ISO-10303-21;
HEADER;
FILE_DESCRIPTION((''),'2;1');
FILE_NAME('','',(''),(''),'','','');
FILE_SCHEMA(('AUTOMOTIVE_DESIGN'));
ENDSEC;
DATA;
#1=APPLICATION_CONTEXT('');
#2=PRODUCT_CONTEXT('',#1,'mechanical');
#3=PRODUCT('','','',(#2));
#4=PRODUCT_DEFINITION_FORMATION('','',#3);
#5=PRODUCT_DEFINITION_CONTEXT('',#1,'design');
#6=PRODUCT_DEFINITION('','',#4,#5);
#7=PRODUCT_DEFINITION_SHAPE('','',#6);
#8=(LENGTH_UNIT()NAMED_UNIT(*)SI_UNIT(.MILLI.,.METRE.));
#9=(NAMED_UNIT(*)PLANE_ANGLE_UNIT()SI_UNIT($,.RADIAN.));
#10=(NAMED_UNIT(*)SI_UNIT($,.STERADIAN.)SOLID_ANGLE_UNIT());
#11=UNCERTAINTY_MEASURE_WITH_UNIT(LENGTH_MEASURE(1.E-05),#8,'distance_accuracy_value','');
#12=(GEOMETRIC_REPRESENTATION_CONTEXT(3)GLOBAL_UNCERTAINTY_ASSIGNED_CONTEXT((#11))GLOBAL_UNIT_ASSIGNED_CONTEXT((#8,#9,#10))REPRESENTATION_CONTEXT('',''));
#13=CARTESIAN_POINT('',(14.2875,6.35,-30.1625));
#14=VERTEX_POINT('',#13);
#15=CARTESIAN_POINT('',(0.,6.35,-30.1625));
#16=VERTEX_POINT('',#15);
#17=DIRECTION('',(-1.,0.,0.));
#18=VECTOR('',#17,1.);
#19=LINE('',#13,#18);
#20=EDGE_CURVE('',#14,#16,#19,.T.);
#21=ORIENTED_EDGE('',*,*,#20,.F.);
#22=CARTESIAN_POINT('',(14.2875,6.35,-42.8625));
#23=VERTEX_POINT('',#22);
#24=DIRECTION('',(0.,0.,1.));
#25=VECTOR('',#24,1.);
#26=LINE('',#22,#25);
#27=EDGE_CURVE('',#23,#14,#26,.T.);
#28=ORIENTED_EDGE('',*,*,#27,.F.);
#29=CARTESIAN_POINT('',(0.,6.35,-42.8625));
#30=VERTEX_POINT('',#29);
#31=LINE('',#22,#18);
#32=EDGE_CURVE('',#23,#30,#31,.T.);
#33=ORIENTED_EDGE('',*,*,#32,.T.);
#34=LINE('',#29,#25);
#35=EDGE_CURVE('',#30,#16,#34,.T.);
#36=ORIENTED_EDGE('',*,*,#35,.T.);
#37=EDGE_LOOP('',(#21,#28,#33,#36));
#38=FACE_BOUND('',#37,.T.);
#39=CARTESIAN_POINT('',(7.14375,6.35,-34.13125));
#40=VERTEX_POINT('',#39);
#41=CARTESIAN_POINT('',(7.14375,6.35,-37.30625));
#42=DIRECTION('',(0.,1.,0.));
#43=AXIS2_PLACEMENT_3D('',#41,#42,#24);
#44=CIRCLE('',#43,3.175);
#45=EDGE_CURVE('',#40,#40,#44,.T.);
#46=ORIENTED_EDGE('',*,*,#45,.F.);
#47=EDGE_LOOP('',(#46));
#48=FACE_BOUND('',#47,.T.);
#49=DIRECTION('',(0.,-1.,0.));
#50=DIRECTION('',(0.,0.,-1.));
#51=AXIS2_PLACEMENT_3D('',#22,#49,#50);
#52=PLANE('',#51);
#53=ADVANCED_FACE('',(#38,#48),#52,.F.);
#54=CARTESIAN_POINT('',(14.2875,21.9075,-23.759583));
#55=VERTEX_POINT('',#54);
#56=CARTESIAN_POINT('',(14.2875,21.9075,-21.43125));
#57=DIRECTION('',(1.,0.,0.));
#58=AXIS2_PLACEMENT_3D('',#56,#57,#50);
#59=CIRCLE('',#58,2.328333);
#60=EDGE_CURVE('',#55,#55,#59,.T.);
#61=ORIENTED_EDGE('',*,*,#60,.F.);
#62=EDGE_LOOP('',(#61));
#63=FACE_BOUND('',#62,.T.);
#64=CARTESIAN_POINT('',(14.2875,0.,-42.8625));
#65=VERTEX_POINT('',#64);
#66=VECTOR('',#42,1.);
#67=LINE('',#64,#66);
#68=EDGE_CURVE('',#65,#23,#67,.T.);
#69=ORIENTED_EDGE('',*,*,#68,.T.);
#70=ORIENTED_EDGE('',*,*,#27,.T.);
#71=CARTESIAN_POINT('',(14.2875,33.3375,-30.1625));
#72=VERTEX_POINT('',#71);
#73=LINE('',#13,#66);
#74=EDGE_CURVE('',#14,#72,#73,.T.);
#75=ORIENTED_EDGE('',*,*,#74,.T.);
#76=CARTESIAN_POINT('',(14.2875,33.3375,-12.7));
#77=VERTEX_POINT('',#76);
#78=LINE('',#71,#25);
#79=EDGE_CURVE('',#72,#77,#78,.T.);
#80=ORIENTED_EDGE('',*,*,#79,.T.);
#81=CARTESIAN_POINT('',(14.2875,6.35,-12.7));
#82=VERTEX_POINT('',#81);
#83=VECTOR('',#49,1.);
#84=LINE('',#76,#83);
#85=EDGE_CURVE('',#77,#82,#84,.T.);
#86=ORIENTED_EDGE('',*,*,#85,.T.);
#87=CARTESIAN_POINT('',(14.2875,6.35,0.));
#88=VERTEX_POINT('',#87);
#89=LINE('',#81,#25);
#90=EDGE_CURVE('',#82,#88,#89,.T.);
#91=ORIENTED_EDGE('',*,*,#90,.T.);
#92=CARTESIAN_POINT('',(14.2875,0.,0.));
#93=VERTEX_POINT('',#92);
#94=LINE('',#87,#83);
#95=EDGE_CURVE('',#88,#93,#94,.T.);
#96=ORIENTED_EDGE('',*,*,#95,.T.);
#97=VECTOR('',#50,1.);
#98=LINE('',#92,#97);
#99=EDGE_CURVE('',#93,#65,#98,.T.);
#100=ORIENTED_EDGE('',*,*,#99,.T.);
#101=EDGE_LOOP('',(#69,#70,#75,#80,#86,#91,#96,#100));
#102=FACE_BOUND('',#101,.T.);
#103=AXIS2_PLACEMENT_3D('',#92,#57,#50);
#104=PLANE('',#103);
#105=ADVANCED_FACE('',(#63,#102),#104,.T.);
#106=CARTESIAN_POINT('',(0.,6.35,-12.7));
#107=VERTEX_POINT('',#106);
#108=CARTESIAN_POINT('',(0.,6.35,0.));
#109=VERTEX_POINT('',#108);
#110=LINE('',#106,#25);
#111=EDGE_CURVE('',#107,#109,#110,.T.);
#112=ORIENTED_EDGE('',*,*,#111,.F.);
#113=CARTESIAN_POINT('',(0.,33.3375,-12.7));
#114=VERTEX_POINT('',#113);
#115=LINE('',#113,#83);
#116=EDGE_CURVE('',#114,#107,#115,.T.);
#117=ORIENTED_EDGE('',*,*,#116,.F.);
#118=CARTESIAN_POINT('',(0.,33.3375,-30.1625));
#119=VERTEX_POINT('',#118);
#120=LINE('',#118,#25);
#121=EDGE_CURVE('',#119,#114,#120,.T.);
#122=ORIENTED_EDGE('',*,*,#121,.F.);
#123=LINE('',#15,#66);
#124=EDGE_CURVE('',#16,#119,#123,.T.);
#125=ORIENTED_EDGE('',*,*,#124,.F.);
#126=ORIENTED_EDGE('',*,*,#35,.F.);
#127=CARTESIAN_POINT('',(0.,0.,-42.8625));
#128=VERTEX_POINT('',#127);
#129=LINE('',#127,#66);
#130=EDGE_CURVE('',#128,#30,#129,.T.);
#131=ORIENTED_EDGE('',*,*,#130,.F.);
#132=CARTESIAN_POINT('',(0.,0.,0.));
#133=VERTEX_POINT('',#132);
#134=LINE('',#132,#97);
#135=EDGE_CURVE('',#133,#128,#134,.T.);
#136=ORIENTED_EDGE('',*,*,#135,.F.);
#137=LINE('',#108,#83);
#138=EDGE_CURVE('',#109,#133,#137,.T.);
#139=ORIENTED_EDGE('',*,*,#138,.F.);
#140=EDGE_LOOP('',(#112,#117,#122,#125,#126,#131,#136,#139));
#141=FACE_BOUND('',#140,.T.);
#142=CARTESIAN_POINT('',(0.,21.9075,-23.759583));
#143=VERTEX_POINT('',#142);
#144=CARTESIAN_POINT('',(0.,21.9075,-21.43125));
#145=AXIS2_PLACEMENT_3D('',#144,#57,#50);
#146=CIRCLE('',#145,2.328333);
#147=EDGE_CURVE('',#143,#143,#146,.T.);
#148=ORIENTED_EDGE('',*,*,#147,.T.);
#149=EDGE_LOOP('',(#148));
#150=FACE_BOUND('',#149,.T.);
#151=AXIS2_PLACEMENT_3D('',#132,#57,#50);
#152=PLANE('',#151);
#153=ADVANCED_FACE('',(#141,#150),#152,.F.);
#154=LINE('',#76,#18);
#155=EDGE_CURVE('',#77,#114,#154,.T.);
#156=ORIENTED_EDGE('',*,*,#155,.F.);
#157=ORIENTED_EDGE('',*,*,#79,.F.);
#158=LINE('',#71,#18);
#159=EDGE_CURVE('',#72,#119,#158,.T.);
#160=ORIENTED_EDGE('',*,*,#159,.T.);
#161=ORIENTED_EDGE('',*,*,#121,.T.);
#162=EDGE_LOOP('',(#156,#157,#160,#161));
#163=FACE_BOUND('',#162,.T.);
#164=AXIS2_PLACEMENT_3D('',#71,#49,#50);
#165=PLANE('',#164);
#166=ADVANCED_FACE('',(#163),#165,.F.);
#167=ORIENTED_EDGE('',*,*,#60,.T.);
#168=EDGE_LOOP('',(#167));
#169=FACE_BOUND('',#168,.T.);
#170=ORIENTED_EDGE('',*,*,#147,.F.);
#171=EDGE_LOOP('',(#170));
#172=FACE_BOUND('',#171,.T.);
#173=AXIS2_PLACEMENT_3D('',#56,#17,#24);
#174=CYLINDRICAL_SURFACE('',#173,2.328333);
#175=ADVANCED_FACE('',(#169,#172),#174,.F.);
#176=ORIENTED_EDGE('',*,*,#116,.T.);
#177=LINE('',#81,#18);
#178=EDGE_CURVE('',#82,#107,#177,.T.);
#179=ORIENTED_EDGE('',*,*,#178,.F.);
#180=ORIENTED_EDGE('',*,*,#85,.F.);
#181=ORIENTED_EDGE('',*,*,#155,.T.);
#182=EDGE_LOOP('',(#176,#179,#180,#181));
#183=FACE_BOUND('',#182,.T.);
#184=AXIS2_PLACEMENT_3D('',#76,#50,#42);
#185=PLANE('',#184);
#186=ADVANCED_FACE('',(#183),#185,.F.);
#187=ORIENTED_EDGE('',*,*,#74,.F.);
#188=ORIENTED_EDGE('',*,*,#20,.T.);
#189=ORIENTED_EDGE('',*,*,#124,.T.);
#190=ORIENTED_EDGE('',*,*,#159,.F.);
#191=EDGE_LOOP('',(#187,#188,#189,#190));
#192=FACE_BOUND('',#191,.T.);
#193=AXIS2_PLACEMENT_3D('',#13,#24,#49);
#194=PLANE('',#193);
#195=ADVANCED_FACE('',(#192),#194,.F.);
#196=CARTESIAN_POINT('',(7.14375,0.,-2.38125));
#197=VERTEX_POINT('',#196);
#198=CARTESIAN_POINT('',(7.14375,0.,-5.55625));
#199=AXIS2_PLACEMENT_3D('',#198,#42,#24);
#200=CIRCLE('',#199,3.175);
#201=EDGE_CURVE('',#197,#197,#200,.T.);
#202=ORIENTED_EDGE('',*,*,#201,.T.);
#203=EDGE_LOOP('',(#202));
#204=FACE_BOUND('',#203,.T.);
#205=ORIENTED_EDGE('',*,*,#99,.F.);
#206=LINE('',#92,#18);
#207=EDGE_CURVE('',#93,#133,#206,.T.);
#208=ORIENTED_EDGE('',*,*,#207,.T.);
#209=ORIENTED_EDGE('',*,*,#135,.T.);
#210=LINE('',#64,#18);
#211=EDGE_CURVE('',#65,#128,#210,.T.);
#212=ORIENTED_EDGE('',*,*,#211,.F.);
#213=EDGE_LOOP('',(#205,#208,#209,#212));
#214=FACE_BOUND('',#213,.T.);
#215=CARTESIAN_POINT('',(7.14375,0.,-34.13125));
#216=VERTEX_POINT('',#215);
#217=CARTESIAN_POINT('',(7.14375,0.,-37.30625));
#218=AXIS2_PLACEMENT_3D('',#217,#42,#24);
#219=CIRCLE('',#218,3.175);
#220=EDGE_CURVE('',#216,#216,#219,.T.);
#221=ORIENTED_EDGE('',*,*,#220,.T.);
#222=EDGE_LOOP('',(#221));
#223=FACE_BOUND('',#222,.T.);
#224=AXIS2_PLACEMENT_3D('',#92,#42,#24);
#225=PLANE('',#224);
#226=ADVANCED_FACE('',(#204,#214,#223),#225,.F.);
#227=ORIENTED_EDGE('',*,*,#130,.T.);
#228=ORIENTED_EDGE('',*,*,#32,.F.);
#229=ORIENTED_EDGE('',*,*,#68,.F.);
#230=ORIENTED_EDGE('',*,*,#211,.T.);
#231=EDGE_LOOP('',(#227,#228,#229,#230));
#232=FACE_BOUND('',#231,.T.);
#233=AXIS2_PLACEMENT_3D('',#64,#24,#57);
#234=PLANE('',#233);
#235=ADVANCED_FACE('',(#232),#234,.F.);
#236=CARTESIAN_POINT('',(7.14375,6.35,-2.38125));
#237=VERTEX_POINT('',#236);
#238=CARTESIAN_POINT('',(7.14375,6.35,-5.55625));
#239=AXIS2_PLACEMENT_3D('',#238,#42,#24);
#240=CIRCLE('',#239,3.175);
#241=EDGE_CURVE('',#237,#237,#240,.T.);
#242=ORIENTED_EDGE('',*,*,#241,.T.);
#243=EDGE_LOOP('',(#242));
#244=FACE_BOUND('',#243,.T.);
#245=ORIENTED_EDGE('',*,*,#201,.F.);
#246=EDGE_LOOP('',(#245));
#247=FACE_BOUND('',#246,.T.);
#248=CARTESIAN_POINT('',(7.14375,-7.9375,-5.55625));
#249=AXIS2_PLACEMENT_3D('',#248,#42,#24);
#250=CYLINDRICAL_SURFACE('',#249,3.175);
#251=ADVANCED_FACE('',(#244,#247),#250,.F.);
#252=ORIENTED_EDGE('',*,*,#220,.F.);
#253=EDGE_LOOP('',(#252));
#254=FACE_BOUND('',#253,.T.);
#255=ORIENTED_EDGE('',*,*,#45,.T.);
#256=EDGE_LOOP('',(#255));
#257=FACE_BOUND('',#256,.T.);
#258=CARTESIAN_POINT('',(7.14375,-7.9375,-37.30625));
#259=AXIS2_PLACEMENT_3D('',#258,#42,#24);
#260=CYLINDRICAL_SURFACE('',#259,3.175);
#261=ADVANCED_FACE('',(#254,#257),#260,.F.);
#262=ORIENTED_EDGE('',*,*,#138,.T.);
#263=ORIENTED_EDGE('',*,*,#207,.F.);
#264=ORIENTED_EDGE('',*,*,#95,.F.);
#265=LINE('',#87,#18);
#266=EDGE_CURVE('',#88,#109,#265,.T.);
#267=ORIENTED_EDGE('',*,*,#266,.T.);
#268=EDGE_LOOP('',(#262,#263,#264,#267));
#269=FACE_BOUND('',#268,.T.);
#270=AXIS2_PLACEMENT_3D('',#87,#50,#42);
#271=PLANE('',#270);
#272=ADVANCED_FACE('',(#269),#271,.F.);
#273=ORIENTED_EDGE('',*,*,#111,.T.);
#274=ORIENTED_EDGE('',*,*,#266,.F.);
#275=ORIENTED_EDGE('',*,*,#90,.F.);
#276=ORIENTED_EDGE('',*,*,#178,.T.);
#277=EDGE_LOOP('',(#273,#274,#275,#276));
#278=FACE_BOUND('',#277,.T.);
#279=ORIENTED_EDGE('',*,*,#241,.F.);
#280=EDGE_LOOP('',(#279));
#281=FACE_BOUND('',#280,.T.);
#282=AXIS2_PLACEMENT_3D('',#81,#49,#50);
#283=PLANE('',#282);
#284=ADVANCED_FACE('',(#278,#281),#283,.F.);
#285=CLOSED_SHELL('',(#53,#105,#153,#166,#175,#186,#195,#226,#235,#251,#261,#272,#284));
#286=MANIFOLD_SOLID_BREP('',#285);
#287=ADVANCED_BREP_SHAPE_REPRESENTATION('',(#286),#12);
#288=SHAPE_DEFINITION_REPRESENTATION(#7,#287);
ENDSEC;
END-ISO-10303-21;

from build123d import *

# Parameters (mm, degrees)
SKETCH1_R           = 2.328333333
BOSS_EXTRUDE1_DEPTH = 14.2875
SKETCH2_R           = 3.175
CUT_EXTRUDE1_DEPTH  = 14.2875


with BuildPart() as part:
    # Sketch1 → Boss-Extrude1 (new body)
    with BuildSketch(Plane(origin=(0, 0, 0), x_dir=(0, 0, -1), z_dir=(1, 0, 0))):
        Polygon((0, 0), (42.8625, 0), (42.8625, 6.35), (30.1625, 6.35), (30.1625, 33.3375), (12.7, 33.3375), (12.7, 6.35), (0, 6.35), align=None)
        with Locations((21.43125, 21.9075)):
            Circle(SKETCH1_R, mode=Mode.SUBTRACT)
    extrude(amount=BOSS_EXTRUDE1_DEPTH)

    # Sketch2 → Cut-Extrude1 (cut)
    with BuildSketch(Plane(origin=(0, 6.35, 0), x_dir=(1, 0, 0), z_dir=(0, 1, 0))):
        with Locations(Location((7.14375, 5.55625, 0), (0, 0, 270))):
            Circle(SKETCH2_R)
        with Locations(Location((7.14375, 37.30625, 0), (0, 0, 270))):
            Circle(SKETCH2_R)
    extrude(amount=-CUT_EXTRUDE1_DEPTH, mode=Mode.SUBTRACT)


solid = part.part
